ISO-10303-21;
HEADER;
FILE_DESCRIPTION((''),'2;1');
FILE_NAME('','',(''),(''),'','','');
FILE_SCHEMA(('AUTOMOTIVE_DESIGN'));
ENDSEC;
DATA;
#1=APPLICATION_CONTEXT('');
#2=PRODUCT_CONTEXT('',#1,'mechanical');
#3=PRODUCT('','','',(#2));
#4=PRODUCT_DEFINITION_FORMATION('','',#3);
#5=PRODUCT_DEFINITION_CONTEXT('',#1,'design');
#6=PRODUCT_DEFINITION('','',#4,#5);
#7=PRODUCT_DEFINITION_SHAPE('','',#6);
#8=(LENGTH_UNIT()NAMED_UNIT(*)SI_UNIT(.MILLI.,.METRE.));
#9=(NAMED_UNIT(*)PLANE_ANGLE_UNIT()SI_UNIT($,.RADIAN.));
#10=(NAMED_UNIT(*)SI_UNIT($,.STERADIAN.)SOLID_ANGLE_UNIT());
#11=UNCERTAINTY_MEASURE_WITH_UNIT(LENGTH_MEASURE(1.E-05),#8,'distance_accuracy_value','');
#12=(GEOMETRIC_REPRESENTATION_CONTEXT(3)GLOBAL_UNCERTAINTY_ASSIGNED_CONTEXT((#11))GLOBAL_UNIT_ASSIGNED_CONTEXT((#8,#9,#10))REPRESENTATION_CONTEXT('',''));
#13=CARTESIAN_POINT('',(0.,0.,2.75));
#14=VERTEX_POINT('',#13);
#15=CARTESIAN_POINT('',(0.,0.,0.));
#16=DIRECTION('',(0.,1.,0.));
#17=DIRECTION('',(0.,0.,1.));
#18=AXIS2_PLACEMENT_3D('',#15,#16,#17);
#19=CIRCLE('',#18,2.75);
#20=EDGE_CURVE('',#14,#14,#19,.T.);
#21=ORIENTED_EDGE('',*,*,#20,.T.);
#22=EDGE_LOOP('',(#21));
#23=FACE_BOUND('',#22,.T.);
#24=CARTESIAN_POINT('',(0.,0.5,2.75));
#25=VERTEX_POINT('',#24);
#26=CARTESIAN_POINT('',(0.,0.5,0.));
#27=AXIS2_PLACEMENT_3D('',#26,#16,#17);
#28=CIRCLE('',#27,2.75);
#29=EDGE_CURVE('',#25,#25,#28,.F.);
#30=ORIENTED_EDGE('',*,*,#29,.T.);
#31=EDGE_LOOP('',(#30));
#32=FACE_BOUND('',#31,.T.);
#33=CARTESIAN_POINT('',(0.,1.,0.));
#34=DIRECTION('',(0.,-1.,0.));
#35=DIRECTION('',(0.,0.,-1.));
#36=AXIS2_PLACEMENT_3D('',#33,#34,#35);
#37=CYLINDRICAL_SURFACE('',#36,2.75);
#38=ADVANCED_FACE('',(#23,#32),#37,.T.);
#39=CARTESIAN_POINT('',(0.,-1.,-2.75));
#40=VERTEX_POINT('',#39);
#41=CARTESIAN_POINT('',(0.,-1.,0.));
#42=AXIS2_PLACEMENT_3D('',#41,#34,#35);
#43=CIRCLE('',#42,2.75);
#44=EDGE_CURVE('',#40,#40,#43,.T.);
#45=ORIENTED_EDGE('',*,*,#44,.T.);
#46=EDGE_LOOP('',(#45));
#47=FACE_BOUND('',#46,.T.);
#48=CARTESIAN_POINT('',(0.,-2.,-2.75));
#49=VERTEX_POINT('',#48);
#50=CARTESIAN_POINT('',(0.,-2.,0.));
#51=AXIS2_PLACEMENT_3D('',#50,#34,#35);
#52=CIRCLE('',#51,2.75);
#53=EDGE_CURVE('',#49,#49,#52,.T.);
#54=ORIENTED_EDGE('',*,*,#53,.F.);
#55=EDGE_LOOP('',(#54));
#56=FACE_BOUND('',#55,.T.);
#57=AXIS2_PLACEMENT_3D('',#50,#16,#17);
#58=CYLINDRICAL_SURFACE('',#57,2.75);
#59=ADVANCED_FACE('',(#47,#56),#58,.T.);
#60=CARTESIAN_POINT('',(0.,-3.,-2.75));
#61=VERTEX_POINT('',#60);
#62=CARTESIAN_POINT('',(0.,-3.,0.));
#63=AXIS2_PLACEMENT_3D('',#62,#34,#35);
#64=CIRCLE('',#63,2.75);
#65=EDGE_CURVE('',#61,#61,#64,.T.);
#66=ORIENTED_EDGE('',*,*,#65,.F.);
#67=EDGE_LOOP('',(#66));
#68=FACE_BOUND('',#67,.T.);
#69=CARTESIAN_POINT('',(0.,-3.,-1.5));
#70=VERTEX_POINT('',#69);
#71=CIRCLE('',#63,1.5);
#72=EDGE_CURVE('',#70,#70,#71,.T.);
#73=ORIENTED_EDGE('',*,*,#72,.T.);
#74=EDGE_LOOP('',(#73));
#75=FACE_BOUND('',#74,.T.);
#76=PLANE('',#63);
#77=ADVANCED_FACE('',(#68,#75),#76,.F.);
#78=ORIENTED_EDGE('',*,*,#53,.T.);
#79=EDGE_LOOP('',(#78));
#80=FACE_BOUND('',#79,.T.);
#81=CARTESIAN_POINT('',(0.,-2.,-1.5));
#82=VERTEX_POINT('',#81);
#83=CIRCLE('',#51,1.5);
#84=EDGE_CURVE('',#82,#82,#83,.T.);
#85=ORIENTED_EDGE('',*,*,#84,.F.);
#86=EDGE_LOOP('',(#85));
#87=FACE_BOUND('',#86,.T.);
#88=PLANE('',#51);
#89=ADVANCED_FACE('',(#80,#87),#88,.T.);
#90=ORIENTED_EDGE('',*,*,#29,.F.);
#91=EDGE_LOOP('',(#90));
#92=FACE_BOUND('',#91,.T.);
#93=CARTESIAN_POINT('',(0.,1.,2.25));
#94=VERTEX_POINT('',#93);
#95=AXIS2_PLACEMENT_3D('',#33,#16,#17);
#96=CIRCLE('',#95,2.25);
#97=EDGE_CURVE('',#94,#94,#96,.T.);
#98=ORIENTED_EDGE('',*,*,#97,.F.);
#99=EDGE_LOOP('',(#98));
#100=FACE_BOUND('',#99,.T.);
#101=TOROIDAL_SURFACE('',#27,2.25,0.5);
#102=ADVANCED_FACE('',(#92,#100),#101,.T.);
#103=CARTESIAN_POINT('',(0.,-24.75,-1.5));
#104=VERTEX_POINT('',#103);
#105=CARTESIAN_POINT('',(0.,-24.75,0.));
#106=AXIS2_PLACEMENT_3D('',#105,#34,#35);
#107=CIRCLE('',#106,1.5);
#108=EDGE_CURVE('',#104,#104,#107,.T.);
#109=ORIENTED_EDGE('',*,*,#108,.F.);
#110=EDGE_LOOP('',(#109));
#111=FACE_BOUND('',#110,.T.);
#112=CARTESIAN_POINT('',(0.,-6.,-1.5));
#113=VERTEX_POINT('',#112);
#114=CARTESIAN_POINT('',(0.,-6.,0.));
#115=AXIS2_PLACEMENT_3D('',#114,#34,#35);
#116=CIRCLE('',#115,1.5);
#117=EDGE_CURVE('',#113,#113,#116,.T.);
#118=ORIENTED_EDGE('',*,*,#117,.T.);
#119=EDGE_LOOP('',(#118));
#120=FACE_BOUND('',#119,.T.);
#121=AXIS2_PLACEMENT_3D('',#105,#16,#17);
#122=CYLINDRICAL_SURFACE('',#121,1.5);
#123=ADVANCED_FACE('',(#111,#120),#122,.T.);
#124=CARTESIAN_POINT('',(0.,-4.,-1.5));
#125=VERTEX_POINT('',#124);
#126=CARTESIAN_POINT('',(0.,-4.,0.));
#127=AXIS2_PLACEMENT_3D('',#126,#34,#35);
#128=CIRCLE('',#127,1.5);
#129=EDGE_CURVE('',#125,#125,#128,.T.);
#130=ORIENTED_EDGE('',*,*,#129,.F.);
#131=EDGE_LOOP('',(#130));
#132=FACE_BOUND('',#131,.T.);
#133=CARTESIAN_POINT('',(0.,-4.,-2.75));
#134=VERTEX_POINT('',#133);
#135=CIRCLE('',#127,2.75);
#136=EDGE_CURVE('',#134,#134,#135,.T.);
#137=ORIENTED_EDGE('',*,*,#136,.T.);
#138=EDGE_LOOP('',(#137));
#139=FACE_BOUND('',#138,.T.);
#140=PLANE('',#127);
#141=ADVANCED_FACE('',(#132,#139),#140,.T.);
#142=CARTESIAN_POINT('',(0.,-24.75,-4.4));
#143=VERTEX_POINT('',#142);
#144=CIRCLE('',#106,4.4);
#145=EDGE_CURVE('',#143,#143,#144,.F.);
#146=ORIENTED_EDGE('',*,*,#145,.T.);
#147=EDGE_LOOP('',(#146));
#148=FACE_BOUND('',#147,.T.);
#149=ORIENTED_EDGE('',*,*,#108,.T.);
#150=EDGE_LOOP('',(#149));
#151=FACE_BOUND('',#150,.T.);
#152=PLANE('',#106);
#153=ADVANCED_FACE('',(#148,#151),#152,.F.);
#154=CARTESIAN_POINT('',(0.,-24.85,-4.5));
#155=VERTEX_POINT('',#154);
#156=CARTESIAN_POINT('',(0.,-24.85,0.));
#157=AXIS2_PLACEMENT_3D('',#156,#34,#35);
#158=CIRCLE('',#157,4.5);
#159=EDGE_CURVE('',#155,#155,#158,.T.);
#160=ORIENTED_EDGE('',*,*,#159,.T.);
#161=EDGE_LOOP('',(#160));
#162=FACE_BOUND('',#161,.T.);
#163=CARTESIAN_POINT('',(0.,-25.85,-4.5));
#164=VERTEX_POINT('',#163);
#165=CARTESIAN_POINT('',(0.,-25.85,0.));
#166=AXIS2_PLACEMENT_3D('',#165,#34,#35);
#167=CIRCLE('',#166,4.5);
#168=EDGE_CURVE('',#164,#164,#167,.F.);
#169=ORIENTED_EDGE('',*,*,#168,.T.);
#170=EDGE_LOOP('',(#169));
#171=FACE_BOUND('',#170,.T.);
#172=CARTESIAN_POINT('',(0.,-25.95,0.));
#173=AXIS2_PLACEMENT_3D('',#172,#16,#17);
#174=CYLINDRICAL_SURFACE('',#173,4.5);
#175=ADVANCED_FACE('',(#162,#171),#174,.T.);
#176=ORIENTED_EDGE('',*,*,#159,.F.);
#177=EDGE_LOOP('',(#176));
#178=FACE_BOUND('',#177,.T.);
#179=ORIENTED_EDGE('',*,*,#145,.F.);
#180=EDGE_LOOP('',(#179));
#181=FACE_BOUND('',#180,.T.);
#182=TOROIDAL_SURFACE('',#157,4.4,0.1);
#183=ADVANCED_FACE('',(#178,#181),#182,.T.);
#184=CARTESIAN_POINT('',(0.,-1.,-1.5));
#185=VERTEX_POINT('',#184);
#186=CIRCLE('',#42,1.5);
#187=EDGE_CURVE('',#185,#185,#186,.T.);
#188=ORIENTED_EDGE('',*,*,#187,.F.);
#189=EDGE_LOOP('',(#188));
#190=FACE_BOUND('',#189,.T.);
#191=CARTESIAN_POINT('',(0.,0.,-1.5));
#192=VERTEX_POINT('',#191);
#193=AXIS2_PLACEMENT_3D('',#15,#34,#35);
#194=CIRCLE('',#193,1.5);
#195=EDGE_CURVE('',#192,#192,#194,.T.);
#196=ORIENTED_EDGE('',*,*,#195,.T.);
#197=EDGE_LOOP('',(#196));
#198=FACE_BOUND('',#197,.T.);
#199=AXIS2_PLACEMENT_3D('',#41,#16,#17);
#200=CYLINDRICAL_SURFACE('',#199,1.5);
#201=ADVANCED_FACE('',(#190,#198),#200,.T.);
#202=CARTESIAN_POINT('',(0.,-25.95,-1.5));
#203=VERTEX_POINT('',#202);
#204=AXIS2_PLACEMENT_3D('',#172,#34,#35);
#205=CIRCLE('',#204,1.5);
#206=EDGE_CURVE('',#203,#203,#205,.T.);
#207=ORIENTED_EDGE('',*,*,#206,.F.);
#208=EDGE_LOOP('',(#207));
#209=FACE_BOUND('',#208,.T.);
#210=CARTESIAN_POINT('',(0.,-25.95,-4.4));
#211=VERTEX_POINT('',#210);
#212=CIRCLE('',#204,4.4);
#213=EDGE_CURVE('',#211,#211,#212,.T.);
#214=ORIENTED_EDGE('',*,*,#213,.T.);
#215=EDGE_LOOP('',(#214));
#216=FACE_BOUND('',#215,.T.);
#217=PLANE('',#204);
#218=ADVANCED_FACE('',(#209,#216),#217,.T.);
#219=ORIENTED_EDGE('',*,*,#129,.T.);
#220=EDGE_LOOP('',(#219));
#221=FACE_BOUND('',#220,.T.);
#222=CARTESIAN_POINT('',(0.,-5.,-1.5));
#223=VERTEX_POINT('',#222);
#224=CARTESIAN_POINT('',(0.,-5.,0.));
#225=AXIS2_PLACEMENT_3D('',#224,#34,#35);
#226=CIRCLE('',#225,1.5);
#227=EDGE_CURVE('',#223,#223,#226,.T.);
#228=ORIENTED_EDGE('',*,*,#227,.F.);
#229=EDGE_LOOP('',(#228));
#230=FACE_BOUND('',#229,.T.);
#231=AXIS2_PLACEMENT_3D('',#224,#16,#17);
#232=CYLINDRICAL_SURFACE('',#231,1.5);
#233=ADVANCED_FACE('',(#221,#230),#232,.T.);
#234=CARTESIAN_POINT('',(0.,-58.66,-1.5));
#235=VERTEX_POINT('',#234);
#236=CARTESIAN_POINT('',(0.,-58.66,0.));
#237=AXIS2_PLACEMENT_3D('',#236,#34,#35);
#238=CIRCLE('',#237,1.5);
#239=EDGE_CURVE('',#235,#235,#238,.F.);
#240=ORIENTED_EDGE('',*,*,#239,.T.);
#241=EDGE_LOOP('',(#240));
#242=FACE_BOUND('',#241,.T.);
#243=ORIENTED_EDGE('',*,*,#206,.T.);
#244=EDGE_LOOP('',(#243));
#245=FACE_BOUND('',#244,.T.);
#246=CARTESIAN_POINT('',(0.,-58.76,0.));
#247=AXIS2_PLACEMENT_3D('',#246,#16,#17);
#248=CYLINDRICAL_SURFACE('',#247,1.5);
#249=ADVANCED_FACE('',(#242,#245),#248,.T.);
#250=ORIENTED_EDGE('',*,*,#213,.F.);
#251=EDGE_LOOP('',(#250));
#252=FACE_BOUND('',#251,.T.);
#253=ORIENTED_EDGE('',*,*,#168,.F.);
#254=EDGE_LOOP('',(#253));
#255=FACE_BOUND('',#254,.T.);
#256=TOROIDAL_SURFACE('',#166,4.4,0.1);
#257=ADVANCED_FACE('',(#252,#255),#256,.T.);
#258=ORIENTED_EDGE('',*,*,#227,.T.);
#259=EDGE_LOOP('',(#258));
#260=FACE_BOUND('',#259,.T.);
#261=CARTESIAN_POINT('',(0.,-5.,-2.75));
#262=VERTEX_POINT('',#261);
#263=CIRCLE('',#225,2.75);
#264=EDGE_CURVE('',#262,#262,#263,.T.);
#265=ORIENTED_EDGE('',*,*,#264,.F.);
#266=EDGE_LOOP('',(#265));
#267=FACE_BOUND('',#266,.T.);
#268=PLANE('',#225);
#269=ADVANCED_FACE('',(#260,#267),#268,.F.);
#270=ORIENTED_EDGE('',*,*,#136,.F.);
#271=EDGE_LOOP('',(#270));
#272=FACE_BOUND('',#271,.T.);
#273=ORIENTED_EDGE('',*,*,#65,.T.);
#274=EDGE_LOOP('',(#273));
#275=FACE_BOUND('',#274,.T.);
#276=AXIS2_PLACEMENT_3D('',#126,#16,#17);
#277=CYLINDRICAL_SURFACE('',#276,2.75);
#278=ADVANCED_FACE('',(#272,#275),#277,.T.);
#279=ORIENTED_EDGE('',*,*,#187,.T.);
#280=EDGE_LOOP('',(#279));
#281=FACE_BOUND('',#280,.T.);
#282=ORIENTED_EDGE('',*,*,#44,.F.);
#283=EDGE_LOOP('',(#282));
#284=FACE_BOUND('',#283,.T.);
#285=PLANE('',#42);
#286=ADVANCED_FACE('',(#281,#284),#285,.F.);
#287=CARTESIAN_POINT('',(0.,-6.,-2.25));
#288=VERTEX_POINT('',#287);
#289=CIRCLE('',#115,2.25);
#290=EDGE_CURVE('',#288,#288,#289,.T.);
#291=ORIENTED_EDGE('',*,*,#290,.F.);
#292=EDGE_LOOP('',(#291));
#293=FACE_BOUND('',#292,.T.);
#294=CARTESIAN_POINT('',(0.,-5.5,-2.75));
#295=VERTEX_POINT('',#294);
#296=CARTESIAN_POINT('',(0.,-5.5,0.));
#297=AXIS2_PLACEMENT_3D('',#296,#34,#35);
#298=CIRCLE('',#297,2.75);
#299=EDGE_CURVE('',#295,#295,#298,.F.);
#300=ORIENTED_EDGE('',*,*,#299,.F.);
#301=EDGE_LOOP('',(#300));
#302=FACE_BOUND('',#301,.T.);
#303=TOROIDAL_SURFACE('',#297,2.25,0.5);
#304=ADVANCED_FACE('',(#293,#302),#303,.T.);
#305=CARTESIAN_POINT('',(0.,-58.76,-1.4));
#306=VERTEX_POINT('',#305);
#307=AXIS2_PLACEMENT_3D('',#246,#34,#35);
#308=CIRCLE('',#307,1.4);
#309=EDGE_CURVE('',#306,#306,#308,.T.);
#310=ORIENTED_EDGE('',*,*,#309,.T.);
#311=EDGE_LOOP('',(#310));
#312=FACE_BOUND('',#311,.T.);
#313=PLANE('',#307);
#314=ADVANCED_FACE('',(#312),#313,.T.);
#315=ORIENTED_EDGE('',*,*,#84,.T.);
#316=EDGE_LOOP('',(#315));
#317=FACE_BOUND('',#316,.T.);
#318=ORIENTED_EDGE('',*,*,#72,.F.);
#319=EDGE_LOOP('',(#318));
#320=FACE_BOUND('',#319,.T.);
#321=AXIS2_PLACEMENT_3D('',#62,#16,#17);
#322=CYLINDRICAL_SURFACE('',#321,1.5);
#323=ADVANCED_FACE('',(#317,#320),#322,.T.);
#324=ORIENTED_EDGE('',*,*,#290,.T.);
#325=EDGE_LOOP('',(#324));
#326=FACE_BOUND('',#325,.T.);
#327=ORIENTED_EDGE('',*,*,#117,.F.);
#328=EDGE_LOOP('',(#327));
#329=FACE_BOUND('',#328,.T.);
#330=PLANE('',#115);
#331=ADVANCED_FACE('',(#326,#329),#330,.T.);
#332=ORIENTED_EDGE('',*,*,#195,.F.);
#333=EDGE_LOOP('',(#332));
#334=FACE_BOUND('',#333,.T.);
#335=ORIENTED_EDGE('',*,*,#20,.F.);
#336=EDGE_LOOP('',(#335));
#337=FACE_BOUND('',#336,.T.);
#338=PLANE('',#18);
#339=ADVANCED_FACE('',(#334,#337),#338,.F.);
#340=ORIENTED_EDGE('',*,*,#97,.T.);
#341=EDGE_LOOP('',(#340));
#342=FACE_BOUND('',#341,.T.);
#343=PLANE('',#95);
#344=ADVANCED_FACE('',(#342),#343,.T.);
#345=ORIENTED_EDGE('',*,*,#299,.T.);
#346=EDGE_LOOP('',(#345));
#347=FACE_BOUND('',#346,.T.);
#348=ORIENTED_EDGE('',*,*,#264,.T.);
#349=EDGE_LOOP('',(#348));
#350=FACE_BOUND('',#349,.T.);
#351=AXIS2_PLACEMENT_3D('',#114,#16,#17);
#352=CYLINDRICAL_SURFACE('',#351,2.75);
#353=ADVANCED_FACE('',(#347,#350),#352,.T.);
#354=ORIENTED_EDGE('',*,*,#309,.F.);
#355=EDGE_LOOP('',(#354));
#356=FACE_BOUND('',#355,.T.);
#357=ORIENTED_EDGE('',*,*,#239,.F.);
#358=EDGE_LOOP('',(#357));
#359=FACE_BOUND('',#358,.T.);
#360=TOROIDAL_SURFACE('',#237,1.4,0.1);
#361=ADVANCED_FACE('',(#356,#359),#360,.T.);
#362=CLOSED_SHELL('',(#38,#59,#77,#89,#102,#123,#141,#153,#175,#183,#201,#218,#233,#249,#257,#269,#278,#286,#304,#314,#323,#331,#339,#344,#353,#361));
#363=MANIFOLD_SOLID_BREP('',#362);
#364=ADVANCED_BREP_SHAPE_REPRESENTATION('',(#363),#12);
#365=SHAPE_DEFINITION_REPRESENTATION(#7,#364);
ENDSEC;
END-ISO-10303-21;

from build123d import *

# Parameters (mm, degrees)
SKETCH1_R            = 2.75
BOSS_EXTRUDE1_DEPTH  = 1
SKETCH2_R            = 1.5
BOSS_EXTRUDE2_DEPTH  = 1
BOSS_EXTRUDE3_START  = 1
SKETCH3_R            = 2.75
BOSS_EXTRUDE3_DEPTH  = 1
SKETCH4_R            = 1.5
BOSS_EXTRUDE4_DEPTH  = 1
BOSS_EXTRUDE5_START  = 1
SKETCH5_R            = 2.75
BOSS_EXTRUDE5_DEPTH  = 1
SKETCH6_R            = 1.5
BOSS_EXTRUDE6_DEPTH  = 1
BOSS_EXTRUDE7_START  = 1
SKETCH7_R            = 2.75
BOSS_EXTRUDE7_DEPTH  = 1
SKETCH8_R            = 1.5
BOSS_EXTRUDE8_DEPTH  = 18.75
SKETCH9_R            = 4.5
BOSS_EXTRUDE9_DEPTH  = 1.2
SKETCH10_R           = 1.5
BOSS_EXTRUDE10_DEPTH = 32.81
FILLET1_R            = 0.5
FILLET2_R            = 0.1
FILLET3_R            = 0.5
FILLET4_R            = 0.1


with BuildPart() as part:
    # Sketch1 → Boss-Extrude1 (new body)
    with BuildSketch(Plane(origin=(0, 0, 0), x_dir=(1, 0, 0), z_dir=(0, 1, 0))):
        with Locations(Location((0, 0, 0), (0, 0, 270))):
            Circle(SKETCH1_R)
    extrude(amount=BOSS_EXTRUDE1_DEPTH)

    # Sketch2 → Boss-Extrude2 (add)
    with BuildSketch(Plane.XZ):
        with Locations(Location((0, 0, 0), (0, 0, 270))):
            Circle(SKETCH2_R)
    extrude(amount=BOSS_EXTRUDE2_DEPTH)

    # Sketch3 → Boss-Extrude3 (add)
    with BuildSketch(Plane(origin=(0, -1, 0), x_dir=(-1, 0, 0), z_dir=(0, -1, 0)).offset(BOSS_EXTRUDE3_START)):
        with Locations(Location((0, 0, 0), (0, 0, 270))):
            Circle(SKETCH3_R)
    extrude(amount=-BOSS_EXTRUDE3_DEPTH)

    # Sketch4 → Boss-Extrude4 (add)
    with BuildSketch(Plane(origin=(0, -2, 0), x_dir=(-1, 0, 0), z_dir=(0, -1, 0))):
        with Locations(Location((0, 0, 0), (0, 0, 90))):
            Circle(SKETCH4_R)
    extrude(amount=BOSS_EXTRUDE4_DEPTH)

    # Sketch5 → Boss-Extrude5 (add)
    with BuildSketch(Plane(origin=(0, -3, 0), x_dir=(-1, 0, 0), z_dir=(0, -1, 0)).offset(BOSS_EXTRUDE5_START)):
        with Locations(Location((0, 0, 0), (0, 0, 270))):
            Circle(SKETCH5_R)
    extrude(amount=-BOSS_EXTRUDE5_DEPTH)

    # Sketch6 → Boss-Extrude6 (add)
    with BuildSketch(Plane.XZ.offset(4)):
        with Locations(Location((0, 0, 0), (0, 0, 270))):
            Circle(SKETCH6_R)
    extrude(amount=BOSS_EXTRUDE6_DEPTH)

    # Sketch7 → Boss-Extrude7 (add)
    with BuildSketch(Plane.XZ.offset(5).offset(BOSS_EXTRUDE7_START)):
        with Locations(Location((0, 0, 0), (0, 0, 90))):
            Circle(SKETCH7_R)
    extrude(amount=-BOSS_EXTRUDE7_DEPTH)

    # Sketch8 → Boss-Extrude8 (add)
    with BuildSketch(Plane(origin=(0, -6, 0), x_dir=(-1, 0, 0), z_dir=(0, -1, 0))):
        with Locations(Location((0, 0, 0), (0, 0, 90))):
            Circle(SKETCH8_R)
    extrude(amount=BOSS_EXTRUDE8_DEPTH)

    # Sketch9 → Boss-Extrude9 (add)
    with BuildSketch(Plane(origin=(0, -24.75, 0), x_dir=(-1, 0, 0), z_dir=(0, -1, 0))):
        with Locations(Location((0, 0, 0), (0, 0, 90))):
            Circle(SKETCH9_R)
    extrude(amount=BOSS_EXTRUDE9_DEPTH)

    # Sketch10 → Boss-Extrude10 (add)
    with BuildSketch(Plane.XZ.offset(25.95)):
        with Locations(Location((0, 0, 0), (0, 0, 270))):
            Circle(SKETCH10_R)
    extrude(amount=BOSS_EXTRUDE10_DEPTH)

    # Fillet1
    fillet1_edges = [part.edges().sort_by_distance(p)[0] for p in [
        (0, 1, -2.75),
    ]]
    fillet(fillet1_edges, radius=FILLET1_R)

    # Fillet2
    fillet2_edges = [part.edges().sort_by_distance(p)[0] for p in [
        (0, -24.75, 4.5),
        (0, -25.95, 4.5),
    ]]
    fillet(fillet2_edges, radius=FILLET2_R)

    # Fillet3
    fillet3_edges = [part.edges().sort_by_distance(p)[0] for p in [
        (0, -6, -2.75),
    ]]
    fillet(fillet3_edges, radius=FILLET3_R)

    # Fillet4
    fillet4_edges = [part.edges().sort_by_distance(p)[0] for p in [
        (0, -58.76, 1.5),
    ]]
    fillet(fillet4_edges, radius=FILLET4_R)


solid = part.part
